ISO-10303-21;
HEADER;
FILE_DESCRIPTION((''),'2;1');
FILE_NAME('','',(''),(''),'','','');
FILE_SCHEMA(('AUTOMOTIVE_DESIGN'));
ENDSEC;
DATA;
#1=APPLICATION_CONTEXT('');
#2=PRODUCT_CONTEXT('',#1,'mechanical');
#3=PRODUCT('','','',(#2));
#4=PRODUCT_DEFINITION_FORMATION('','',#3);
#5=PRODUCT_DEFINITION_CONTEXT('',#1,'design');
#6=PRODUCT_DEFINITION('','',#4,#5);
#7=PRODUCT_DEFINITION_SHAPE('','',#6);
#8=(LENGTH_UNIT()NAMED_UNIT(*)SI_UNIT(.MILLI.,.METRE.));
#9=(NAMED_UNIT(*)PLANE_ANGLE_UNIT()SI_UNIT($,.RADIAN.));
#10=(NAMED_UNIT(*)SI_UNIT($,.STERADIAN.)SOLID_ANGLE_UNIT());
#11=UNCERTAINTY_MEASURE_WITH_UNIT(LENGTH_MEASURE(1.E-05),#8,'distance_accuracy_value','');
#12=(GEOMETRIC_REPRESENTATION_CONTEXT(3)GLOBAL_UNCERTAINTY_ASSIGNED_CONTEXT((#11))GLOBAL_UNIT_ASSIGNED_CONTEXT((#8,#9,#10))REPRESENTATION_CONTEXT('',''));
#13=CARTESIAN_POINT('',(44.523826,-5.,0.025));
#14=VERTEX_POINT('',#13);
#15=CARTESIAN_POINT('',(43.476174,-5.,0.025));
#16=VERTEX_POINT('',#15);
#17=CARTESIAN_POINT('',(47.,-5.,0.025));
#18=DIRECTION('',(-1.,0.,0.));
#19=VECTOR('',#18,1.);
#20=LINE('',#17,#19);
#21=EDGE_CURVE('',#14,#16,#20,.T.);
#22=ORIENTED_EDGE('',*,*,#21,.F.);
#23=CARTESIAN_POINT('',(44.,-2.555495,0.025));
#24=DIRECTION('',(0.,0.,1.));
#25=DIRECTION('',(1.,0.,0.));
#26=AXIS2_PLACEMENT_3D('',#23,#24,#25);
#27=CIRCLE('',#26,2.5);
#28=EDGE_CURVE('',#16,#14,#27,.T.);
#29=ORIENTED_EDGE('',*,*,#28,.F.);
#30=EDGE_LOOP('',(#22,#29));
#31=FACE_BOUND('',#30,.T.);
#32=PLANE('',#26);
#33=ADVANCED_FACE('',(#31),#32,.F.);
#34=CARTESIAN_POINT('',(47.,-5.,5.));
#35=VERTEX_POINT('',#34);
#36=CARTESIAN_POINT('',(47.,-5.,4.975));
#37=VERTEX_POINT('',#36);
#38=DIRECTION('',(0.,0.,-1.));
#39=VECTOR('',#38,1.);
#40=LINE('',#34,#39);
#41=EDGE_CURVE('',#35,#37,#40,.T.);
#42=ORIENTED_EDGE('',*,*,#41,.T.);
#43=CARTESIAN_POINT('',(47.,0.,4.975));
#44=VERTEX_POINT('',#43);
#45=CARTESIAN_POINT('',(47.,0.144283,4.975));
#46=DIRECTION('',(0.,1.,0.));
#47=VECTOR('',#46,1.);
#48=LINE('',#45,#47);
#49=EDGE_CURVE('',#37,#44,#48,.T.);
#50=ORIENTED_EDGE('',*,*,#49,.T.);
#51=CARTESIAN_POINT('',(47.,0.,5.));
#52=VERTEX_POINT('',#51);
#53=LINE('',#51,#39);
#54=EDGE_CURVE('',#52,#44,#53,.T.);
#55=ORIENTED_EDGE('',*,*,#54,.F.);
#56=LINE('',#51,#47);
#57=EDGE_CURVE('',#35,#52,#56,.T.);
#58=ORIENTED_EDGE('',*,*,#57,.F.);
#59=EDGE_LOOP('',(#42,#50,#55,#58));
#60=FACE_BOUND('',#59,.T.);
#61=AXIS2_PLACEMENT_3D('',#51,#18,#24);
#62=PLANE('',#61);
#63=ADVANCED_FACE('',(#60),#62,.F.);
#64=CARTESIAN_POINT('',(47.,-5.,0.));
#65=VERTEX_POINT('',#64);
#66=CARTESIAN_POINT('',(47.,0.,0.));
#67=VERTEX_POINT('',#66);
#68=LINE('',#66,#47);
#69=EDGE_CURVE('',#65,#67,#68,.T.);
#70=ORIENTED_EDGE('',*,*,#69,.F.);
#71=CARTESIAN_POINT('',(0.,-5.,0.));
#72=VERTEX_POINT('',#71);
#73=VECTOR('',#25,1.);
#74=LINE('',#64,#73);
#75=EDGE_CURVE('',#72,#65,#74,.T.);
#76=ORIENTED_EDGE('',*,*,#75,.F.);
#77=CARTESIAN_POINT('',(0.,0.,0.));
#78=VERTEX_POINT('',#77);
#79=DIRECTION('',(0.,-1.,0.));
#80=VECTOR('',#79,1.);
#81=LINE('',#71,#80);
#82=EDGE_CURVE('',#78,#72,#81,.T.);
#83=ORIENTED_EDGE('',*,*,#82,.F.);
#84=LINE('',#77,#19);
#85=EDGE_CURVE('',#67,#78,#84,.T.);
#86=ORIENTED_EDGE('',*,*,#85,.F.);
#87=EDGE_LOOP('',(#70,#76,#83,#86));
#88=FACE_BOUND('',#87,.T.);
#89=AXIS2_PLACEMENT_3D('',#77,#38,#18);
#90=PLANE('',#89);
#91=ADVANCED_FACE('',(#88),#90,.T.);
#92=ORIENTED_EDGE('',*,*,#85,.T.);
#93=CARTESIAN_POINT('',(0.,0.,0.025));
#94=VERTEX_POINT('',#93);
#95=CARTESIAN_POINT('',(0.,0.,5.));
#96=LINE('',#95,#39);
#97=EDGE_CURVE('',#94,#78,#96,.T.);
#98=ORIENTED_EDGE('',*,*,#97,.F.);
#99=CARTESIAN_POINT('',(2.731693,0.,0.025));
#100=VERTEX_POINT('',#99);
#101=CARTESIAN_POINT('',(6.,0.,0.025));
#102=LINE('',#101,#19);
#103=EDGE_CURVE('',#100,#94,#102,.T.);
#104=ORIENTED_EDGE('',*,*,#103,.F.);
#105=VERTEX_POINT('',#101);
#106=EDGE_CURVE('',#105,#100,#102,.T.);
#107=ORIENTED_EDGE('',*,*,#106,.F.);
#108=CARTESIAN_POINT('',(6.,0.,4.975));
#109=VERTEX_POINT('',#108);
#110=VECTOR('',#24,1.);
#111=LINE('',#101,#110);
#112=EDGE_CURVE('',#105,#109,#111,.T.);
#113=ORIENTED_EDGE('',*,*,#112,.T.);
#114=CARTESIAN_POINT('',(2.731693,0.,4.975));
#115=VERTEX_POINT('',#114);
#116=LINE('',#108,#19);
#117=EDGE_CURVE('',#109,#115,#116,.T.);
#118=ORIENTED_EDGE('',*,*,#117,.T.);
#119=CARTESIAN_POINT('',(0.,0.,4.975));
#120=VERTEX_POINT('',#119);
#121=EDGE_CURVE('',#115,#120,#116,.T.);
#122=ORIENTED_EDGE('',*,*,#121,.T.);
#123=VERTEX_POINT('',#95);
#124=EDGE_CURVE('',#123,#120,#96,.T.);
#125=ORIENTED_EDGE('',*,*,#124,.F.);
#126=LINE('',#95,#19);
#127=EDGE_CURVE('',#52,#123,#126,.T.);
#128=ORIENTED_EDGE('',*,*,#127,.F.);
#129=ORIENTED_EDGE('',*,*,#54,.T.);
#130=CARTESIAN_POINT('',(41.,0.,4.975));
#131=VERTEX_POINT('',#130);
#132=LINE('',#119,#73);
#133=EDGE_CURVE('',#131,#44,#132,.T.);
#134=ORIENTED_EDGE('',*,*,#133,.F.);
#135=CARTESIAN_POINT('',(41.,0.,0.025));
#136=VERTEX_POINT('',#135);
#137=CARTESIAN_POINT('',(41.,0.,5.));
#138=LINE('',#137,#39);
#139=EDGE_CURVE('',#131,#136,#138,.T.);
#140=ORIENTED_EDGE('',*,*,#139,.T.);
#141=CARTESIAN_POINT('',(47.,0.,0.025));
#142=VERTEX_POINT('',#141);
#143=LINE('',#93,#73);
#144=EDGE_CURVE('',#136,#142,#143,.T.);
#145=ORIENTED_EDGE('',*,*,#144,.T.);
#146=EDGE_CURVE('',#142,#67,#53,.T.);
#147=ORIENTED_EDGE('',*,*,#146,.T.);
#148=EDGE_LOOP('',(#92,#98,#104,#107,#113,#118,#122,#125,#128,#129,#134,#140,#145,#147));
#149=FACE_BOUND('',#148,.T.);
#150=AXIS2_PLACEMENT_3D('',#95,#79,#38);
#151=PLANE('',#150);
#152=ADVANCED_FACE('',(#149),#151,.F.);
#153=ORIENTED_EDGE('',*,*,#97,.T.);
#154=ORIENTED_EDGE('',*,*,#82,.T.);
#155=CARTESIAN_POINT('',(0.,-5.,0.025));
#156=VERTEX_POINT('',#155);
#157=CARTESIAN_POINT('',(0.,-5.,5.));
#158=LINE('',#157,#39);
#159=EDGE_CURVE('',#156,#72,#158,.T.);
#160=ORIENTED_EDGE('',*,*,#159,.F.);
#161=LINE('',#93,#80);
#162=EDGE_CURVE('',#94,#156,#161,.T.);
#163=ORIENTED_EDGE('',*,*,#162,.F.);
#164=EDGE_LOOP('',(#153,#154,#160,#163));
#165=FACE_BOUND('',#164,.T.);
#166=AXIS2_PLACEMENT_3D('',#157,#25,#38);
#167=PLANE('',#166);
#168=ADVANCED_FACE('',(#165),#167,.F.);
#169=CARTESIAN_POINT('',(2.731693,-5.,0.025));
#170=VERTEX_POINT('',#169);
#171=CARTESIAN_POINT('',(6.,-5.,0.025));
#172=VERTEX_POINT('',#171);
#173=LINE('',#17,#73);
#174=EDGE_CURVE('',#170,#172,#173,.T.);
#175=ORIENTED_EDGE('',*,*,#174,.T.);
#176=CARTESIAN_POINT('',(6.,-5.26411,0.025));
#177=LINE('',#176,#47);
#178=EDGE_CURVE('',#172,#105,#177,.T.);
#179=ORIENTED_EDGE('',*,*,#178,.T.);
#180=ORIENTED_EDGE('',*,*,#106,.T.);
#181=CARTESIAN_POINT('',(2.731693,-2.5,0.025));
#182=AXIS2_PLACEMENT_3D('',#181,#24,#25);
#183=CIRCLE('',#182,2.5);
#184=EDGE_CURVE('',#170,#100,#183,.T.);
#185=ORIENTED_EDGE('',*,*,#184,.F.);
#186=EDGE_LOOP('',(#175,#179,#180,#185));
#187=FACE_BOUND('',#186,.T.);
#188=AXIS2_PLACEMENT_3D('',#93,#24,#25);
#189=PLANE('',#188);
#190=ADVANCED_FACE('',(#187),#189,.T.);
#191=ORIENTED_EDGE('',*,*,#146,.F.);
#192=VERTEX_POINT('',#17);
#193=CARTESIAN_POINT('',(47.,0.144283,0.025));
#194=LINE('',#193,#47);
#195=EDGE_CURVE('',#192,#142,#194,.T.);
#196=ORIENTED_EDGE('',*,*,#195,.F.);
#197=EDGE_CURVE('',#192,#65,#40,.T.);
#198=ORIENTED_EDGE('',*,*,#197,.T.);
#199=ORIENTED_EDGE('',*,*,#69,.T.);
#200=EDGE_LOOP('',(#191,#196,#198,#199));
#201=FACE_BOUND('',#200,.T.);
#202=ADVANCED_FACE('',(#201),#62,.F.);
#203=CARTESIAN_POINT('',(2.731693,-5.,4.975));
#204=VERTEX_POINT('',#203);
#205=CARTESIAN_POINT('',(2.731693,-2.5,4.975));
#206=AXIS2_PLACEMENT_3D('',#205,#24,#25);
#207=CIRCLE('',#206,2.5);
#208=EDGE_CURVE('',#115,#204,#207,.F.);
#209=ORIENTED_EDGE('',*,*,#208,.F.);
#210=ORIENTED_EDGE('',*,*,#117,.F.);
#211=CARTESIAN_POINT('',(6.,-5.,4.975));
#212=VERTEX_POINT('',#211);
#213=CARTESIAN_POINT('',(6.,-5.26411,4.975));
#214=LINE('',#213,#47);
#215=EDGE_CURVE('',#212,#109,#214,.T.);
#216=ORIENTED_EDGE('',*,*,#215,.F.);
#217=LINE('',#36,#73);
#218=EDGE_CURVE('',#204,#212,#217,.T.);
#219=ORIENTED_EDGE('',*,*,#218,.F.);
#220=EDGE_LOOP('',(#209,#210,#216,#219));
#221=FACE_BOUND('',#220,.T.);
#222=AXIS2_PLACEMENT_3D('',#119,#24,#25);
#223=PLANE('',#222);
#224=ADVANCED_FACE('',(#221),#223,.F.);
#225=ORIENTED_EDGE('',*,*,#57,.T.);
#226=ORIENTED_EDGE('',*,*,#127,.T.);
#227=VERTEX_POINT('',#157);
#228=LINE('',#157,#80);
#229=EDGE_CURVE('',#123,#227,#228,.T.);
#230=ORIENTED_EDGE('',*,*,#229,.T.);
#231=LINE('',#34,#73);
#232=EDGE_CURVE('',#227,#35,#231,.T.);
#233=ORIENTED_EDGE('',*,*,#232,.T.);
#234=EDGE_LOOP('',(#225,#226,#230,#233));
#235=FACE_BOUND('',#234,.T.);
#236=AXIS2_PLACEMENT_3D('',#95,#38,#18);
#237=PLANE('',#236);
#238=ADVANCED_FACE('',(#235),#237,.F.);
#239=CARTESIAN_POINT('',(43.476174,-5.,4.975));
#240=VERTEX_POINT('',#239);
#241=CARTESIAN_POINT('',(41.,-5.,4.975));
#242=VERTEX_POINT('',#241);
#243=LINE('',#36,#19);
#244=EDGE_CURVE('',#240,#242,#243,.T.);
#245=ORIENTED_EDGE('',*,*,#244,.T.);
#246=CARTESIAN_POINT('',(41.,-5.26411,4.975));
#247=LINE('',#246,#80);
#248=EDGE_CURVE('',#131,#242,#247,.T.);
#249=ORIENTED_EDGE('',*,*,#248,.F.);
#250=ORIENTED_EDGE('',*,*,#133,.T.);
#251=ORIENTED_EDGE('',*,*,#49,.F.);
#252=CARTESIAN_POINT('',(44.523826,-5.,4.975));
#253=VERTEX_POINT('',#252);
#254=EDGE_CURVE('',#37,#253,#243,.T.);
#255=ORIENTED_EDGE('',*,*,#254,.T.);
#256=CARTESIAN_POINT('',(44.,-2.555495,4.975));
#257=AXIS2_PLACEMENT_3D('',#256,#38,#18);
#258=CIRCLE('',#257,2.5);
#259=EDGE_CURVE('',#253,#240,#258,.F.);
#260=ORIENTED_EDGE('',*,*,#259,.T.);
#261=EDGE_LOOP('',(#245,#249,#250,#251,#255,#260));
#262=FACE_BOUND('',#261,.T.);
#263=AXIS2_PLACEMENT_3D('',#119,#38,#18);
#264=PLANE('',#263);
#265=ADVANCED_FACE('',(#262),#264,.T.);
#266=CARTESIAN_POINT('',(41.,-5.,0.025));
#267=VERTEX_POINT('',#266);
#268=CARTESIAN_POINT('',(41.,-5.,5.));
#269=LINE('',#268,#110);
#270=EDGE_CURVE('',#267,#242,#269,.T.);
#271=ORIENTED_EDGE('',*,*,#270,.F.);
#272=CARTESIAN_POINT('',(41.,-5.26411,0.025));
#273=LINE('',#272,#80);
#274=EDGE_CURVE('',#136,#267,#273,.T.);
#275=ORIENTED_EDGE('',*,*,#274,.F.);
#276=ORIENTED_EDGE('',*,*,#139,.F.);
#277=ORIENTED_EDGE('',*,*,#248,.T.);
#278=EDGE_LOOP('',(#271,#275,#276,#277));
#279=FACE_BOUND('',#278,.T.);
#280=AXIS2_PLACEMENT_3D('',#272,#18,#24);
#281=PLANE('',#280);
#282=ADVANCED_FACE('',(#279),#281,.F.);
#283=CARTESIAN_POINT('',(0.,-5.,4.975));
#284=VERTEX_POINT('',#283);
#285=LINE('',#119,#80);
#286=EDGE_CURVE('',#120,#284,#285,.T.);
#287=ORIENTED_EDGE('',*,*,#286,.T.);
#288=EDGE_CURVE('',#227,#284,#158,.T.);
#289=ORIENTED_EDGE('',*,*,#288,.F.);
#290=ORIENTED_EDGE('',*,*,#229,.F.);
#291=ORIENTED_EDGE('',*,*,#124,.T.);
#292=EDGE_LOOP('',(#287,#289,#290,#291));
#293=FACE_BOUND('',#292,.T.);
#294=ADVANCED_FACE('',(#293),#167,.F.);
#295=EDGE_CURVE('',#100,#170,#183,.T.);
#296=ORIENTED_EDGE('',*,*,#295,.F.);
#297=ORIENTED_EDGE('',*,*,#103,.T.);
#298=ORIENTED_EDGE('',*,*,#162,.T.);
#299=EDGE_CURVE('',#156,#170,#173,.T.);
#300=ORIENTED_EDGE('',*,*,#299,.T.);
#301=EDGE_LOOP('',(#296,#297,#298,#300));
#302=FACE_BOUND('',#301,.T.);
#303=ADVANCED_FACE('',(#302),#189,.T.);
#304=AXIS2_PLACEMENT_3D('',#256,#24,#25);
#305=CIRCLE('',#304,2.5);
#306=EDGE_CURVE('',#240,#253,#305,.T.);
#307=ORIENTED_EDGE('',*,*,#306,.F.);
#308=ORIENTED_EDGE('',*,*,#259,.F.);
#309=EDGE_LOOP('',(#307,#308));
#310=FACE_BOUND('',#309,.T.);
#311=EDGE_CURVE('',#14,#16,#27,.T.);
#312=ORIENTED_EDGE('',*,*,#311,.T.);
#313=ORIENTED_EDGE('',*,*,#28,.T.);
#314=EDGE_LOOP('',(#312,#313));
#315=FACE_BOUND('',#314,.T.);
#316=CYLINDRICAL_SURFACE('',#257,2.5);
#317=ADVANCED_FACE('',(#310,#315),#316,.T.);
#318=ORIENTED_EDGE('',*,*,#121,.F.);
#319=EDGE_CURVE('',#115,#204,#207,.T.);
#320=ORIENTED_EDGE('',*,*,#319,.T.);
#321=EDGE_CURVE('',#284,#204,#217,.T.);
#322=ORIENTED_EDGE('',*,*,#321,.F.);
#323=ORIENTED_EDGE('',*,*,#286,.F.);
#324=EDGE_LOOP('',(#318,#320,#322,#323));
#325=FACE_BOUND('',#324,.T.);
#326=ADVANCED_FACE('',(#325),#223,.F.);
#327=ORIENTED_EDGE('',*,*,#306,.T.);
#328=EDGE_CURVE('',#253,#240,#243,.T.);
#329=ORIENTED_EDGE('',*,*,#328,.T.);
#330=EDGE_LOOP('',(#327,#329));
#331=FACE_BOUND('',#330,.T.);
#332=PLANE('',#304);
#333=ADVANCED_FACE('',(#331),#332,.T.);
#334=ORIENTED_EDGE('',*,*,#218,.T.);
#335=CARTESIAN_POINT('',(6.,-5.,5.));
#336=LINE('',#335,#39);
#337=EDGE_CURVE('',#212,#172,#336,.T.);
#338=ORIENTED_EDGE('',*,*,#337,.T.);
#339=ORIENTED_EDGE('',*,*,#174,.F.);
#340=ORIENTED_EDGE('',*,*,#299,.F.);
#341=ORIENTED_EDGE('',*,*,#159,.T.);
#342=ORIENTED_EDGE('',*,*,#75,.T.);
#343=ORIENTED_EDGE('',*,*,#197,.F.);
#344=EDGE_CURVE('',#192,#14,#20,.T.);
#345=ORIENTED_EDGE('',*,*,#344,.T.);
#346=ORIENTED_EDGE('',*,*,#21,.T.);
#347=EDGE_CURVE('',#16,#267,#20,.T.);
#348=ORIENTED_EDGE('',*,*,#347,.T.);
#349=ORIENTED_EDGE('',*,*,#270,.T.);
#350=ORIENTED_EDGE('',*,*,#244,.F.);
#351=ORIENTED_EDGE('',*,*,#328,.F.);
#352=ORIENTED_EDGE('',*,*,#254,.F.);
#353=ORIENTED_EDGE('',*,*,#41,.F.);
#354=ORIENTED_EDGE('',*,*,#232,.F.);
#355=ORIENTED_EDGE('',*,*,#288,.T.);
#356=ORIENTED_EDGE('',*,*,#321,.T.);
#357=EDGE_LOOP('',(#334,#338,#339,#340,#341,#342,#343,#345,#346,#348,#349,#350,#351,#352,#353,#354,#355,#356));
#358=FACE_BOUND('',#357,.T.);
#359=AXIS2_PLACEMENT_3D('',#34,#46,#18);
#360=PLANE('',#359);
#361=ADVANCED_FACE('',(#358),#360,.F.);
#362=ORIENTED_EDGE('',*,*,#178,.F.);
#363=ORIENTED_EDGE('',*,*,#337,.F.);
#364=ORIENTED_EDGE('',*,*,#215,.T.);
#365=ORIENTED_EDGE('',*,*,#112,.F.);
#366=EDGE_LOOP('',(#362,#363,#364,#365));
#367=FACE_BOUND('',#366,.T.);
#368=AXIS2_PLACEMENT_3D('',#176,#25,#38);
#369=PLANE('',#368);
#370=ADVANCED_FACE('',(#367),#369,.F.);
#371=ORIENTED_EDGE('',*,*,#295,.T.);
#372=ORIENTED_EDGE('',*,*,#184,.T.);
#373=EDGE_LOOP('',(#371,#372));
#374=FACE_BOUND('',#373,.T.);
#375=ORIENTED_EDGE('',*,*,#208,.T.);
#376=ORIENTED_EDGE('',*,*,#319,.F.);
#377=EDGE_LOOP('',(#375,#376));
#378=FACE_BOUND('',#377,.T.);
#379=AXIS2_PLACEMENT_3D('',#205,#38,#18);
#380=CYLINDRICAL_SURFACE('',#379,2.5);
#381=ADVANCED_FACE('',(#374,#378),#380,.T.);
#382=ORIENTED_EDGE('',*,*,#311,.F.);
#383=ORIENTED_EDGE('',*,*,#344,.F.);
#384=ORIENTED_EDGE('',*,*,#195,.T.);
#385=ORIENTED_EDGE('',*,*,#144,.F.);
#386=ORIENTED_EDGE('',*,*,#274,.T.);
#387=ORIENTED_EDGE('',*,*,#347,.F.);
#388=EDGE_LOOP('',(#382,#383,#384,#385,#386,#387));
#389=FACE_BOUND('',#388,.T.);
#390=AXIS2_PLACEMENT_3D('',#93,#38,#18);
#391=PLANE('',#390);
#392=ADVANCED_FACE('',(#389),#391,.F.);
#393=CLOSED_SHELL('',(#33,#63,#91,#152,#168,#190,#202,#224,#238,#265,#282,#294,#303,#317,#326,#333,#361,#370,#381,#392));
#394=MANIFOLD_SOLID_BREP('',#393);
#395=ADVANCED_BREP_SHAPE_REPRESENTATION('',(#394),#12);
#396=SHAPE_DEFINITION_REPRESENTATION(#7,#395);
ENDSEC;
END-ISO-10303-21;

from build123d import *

# Parameters (mm, degrees)
SKETCH1_W           = 47
SKETCH1_H           = 5
BOSS_EXTRUDE1_DEPTH = 5
SKETCH3_W           = 6
SKETCH3_H           = 5.264109691
SKETCH3_H_2         = 5.408392742
CUT_EXTRUDE1_DEPTH  = 2.475
SKETCH4_R           = 2.5
BOSS_EXTRUDE2_DEPTH = 4.95
SKETCH5_R           = 2.5
BOSS_EXTRUDE3_DEPTH = 4.95


with BuildPart() as part:
    # Sketch1 → Boss-Extrude1 (new body)
    with BuildSketch(Plane.XY):
        with Locations((23.5, -2.5)):
            Rectangle(SKETCH1_W, SKETCH1_H)
    extrude(amount=BOSS_EXTRUDE1_DEPTH)

    # Sketch3 → Cut-Extrude1 (cut, symmetric)
    with BuildSketch(Plane.XY.offset(2.5)):
        with Locations((3, -2.632054846)):
            Rectangle(SKETCH3_W, SKETCH3_H)
        with Locations((44, -2.55991332)):
            Rectangle(SKETCH3_W, SKETCH3_H_2)
    extrude(amount=CUT_EXTRUDE1_DEPTH, both=True, mode=Mode.SUBTRACT)

    # Sketch4 → Boss-Extrude2 (add)
    with BuildSketch(Plane.XY.offset(0.025)):
        with Locations(Location((44, -2.555494601, 0), (0, 0, 257.905173383))):
            Circle(SKETCH4_R)
    extrude(amount=BOSS_EXTRUDE2_DEPTH)

    # Sketch5 → Boss-Extrude3 (add)
    with BuildSketch(Plane.XY.offset(0.025)):
        with Locations(Location((2.73169256, -2.5, 0), (0, 0, 90))):
            Circle(SKETCH5_R)
    extrude(amount=BOSS_EXTRUDE3_DEPTH)


solid = part.part
